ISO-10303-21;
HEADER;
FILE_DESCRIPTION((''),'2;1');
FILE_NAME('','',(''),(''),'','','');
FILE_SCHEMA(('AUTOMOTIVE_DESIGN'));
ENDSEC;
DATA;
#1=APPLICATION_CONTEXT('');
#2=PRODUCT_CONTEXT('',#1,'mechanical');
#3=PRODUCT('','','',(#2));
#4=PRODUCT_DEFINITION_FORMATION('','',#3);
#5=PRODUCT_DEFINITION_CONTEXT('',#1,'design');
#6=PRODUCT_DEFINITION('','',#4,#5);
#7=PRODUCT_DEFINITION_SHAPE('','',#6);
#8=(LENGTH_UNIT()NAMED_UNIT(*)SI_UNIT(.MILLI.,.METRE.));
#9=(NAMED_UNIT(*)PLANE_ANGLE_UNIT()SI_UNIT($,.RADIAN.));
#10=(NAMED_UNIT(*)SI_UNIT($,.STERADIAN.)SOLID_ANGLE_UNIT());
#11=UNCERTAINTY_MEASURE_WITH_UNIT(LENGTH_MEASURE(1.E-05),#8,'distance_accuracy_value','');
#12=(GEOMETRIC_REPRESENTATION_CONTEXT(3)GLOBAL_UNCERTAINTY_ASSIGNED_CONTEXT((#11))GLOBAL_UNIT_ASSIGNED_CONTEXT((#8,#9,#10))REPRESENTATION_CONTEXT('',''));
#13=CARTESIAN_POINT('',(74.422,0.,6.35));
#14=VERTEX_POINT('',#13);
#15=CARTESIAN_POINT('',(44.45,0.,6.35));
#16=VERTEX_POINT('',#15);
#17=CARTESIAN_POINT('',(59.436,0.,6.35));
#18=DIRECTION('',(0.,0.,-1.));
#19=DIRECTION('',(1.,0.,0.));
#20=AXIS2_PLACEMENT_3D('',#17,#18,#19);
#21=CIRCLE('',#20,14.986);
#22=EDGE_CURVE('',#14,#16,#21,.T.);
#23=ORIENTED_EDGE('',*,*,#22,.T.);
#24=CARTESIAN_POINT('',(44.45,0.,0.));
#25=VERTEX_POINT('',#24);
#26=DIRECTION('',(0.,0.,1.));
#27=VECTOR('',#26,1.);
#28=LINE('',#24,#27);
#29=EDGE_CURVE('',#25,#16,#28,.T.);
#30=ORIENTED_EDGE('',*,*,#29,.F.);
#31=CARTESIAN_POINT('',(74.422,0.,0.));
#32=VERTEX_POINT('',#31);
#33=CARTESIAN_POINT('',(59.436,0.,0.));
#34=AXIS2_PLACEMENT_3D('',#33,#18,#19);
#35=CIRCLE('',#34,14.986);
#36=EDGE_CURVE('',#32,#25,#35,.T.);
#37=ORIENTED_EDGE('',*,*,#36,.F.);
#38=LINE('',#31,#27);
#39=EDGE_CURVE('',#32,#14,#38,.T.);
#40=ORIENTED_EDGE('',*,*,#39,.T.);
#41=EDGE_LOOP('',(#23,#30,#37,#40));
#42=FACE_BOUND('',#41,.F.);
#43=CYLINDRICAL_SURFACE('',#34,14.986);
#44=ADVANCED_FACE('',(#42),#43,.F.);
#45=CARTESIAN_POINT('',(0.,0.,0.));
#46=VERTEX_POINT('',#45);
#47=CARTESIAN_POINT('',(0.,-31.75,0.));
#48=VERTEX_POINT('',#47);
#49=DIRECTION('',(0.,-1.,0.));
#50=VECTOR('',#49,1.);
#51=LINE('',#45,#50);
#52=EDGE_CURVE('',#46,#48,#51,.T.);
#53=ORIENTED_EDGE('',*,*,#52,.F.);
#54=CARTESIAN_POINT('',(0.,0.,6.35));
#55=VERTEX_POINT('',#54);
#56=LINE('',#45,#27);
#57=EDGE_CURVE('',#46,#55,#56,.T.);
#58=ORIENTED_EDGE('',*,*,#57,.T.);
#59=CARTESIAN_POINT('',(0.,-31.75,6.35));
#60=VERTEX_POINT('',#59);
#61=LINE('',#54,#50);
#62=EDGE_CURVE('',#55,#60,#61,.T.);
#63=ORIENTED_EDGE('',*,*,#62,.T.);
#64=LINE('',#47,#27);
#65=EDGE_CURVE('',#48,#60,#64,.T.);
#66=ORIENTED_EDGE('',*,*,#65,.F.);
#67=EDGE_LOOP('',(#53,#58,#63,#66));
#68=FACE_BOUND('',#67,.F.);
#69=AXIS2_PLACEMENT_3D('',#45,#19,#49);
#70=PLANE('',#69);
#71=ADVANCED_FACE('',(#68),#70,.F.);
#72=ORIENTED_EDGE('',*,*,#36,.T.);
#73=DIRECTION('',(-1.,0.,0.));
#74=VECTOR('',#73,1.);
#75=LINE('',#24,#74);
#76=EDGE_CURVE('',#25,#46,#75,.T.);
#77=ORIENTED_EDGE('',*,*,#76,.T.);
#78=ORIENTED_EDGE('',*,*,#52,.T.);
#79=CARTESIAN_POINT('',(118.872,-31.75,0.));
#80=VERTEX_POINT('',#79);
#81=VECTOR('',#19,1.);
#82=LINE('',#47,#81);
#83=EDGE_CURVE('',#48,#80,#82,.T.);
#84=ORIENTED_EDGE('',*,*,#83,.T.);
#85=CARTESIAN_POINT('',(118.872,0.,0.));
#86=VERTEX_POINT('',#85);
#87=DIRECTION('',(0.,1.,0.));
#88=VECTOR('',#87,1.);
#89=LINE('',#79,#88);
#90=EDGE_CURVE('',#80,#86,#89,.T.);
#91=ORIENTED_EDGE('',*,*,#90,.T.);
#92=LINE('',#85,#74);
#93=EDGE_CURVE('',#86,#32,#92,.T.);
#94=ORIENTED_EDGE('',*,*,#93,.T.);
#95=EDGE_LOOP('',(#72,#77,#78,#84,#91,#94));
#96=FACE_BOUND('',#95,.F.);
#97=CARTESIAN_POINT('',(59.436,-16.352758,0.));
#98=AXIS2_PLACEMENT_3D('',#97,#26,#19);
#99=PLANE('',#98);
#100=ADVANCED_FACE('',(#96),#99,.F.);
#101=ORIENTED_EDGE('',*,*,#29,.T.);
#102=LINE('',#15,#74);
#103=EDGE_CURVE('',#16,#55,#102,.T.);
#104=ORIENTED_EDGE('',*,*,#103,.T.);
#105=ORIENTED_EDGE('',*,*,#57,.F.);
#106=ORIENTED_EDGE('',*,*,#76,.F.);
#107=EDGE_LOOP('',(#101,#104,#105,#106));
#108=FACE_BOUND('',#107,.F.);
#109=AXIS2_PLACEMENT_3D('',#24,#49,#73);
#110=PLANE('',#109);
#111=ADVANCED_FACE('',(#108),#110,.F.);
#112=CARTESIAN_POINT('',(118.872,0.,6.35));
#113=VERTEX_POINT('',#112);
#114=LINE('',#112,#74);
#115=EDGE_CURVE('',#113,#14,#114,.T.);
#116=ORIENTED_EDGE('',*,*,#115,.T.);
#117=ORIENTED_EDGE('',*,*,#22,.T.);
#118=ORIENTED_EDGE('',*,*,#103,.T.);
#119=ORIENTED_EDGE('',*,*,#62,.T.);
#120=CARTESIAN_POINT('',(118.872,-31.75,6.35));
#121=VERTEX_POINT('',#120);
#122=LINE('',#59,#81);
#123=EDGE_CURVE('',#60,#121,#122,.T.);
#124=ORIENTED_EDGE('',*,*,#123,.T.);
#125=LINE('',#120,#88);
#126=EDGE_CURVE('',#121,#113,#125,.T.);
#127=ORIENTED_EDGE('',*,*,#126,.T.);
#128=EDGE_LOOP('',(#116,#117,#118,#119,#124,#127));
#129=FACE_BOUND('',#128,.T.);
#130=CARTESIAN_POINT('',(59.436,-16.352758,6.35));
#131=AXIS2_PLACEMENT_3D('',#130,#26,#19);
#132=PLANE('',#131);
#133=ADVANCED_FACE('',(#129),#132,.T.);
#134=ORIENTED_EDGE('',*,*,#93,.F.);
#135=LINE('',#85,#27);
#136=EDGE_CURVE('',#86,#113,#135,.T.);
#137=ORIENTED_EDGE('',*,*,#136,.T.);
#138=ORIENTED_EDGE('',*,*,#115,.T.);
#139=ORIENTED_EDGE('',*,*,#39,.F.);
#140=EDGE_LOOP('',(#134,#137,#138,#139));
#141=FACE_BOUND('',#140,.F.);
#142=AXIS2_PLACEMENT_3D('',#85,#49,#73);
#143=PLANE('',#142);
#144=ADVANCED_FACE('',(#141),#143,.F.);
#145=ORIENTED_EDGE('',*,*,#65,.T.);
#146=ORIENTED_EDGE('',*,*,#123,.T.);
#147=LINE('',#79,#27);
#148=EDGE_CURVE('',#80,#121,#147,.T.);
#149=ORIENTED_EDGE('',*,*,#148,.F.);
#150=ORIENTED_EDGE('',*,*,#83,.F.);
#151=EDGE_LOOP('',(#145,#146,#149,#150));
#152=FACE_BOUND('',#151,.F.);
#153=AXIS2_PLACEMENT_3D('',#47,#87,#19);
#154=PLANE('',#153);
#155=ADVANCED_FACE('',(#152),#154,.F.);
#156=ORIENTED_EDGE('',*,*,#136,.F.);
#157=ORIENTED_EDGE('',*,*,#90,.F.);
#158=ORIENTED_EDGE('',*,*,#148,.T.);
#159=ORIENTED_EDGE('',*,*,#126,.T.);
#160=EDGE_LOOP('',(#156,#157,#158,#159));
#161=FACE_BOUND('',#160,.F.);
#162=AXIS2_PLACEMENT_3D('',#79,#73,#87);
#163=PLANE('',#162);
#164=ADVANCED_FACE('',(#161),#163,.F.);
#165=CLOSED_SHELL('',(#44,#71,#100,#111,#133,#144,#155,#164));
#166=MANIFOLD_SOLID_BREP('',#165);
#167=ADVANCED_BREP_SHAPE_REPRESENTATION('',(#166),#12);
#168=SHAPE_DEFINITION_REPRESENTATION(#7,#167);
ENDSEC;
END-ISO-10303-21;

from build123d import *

# Parameters (mm, degrees)
F1_DEPTH = 6.35


with BuildPart() as f1:
    # F0 (on Top) → F1 (new body)
    with BuildSketch(Plane.XY):
        with BuildLine():
            Line((44.45, 0), (0, 0))
            Line((0, 0), (0, -31.75))
            Line((0, -31.75), (118.872, -31.75))
            Line((118.872, -31.75), (118.872, 0))
            Line((118.872, 0), (74.422, 0))
            ThreePointArc((74.422, 0), (59.436, -14.986), (44.45, 0))
        make_face()
    extrude(amount=F1_DEPTH)


solid = f1.part
